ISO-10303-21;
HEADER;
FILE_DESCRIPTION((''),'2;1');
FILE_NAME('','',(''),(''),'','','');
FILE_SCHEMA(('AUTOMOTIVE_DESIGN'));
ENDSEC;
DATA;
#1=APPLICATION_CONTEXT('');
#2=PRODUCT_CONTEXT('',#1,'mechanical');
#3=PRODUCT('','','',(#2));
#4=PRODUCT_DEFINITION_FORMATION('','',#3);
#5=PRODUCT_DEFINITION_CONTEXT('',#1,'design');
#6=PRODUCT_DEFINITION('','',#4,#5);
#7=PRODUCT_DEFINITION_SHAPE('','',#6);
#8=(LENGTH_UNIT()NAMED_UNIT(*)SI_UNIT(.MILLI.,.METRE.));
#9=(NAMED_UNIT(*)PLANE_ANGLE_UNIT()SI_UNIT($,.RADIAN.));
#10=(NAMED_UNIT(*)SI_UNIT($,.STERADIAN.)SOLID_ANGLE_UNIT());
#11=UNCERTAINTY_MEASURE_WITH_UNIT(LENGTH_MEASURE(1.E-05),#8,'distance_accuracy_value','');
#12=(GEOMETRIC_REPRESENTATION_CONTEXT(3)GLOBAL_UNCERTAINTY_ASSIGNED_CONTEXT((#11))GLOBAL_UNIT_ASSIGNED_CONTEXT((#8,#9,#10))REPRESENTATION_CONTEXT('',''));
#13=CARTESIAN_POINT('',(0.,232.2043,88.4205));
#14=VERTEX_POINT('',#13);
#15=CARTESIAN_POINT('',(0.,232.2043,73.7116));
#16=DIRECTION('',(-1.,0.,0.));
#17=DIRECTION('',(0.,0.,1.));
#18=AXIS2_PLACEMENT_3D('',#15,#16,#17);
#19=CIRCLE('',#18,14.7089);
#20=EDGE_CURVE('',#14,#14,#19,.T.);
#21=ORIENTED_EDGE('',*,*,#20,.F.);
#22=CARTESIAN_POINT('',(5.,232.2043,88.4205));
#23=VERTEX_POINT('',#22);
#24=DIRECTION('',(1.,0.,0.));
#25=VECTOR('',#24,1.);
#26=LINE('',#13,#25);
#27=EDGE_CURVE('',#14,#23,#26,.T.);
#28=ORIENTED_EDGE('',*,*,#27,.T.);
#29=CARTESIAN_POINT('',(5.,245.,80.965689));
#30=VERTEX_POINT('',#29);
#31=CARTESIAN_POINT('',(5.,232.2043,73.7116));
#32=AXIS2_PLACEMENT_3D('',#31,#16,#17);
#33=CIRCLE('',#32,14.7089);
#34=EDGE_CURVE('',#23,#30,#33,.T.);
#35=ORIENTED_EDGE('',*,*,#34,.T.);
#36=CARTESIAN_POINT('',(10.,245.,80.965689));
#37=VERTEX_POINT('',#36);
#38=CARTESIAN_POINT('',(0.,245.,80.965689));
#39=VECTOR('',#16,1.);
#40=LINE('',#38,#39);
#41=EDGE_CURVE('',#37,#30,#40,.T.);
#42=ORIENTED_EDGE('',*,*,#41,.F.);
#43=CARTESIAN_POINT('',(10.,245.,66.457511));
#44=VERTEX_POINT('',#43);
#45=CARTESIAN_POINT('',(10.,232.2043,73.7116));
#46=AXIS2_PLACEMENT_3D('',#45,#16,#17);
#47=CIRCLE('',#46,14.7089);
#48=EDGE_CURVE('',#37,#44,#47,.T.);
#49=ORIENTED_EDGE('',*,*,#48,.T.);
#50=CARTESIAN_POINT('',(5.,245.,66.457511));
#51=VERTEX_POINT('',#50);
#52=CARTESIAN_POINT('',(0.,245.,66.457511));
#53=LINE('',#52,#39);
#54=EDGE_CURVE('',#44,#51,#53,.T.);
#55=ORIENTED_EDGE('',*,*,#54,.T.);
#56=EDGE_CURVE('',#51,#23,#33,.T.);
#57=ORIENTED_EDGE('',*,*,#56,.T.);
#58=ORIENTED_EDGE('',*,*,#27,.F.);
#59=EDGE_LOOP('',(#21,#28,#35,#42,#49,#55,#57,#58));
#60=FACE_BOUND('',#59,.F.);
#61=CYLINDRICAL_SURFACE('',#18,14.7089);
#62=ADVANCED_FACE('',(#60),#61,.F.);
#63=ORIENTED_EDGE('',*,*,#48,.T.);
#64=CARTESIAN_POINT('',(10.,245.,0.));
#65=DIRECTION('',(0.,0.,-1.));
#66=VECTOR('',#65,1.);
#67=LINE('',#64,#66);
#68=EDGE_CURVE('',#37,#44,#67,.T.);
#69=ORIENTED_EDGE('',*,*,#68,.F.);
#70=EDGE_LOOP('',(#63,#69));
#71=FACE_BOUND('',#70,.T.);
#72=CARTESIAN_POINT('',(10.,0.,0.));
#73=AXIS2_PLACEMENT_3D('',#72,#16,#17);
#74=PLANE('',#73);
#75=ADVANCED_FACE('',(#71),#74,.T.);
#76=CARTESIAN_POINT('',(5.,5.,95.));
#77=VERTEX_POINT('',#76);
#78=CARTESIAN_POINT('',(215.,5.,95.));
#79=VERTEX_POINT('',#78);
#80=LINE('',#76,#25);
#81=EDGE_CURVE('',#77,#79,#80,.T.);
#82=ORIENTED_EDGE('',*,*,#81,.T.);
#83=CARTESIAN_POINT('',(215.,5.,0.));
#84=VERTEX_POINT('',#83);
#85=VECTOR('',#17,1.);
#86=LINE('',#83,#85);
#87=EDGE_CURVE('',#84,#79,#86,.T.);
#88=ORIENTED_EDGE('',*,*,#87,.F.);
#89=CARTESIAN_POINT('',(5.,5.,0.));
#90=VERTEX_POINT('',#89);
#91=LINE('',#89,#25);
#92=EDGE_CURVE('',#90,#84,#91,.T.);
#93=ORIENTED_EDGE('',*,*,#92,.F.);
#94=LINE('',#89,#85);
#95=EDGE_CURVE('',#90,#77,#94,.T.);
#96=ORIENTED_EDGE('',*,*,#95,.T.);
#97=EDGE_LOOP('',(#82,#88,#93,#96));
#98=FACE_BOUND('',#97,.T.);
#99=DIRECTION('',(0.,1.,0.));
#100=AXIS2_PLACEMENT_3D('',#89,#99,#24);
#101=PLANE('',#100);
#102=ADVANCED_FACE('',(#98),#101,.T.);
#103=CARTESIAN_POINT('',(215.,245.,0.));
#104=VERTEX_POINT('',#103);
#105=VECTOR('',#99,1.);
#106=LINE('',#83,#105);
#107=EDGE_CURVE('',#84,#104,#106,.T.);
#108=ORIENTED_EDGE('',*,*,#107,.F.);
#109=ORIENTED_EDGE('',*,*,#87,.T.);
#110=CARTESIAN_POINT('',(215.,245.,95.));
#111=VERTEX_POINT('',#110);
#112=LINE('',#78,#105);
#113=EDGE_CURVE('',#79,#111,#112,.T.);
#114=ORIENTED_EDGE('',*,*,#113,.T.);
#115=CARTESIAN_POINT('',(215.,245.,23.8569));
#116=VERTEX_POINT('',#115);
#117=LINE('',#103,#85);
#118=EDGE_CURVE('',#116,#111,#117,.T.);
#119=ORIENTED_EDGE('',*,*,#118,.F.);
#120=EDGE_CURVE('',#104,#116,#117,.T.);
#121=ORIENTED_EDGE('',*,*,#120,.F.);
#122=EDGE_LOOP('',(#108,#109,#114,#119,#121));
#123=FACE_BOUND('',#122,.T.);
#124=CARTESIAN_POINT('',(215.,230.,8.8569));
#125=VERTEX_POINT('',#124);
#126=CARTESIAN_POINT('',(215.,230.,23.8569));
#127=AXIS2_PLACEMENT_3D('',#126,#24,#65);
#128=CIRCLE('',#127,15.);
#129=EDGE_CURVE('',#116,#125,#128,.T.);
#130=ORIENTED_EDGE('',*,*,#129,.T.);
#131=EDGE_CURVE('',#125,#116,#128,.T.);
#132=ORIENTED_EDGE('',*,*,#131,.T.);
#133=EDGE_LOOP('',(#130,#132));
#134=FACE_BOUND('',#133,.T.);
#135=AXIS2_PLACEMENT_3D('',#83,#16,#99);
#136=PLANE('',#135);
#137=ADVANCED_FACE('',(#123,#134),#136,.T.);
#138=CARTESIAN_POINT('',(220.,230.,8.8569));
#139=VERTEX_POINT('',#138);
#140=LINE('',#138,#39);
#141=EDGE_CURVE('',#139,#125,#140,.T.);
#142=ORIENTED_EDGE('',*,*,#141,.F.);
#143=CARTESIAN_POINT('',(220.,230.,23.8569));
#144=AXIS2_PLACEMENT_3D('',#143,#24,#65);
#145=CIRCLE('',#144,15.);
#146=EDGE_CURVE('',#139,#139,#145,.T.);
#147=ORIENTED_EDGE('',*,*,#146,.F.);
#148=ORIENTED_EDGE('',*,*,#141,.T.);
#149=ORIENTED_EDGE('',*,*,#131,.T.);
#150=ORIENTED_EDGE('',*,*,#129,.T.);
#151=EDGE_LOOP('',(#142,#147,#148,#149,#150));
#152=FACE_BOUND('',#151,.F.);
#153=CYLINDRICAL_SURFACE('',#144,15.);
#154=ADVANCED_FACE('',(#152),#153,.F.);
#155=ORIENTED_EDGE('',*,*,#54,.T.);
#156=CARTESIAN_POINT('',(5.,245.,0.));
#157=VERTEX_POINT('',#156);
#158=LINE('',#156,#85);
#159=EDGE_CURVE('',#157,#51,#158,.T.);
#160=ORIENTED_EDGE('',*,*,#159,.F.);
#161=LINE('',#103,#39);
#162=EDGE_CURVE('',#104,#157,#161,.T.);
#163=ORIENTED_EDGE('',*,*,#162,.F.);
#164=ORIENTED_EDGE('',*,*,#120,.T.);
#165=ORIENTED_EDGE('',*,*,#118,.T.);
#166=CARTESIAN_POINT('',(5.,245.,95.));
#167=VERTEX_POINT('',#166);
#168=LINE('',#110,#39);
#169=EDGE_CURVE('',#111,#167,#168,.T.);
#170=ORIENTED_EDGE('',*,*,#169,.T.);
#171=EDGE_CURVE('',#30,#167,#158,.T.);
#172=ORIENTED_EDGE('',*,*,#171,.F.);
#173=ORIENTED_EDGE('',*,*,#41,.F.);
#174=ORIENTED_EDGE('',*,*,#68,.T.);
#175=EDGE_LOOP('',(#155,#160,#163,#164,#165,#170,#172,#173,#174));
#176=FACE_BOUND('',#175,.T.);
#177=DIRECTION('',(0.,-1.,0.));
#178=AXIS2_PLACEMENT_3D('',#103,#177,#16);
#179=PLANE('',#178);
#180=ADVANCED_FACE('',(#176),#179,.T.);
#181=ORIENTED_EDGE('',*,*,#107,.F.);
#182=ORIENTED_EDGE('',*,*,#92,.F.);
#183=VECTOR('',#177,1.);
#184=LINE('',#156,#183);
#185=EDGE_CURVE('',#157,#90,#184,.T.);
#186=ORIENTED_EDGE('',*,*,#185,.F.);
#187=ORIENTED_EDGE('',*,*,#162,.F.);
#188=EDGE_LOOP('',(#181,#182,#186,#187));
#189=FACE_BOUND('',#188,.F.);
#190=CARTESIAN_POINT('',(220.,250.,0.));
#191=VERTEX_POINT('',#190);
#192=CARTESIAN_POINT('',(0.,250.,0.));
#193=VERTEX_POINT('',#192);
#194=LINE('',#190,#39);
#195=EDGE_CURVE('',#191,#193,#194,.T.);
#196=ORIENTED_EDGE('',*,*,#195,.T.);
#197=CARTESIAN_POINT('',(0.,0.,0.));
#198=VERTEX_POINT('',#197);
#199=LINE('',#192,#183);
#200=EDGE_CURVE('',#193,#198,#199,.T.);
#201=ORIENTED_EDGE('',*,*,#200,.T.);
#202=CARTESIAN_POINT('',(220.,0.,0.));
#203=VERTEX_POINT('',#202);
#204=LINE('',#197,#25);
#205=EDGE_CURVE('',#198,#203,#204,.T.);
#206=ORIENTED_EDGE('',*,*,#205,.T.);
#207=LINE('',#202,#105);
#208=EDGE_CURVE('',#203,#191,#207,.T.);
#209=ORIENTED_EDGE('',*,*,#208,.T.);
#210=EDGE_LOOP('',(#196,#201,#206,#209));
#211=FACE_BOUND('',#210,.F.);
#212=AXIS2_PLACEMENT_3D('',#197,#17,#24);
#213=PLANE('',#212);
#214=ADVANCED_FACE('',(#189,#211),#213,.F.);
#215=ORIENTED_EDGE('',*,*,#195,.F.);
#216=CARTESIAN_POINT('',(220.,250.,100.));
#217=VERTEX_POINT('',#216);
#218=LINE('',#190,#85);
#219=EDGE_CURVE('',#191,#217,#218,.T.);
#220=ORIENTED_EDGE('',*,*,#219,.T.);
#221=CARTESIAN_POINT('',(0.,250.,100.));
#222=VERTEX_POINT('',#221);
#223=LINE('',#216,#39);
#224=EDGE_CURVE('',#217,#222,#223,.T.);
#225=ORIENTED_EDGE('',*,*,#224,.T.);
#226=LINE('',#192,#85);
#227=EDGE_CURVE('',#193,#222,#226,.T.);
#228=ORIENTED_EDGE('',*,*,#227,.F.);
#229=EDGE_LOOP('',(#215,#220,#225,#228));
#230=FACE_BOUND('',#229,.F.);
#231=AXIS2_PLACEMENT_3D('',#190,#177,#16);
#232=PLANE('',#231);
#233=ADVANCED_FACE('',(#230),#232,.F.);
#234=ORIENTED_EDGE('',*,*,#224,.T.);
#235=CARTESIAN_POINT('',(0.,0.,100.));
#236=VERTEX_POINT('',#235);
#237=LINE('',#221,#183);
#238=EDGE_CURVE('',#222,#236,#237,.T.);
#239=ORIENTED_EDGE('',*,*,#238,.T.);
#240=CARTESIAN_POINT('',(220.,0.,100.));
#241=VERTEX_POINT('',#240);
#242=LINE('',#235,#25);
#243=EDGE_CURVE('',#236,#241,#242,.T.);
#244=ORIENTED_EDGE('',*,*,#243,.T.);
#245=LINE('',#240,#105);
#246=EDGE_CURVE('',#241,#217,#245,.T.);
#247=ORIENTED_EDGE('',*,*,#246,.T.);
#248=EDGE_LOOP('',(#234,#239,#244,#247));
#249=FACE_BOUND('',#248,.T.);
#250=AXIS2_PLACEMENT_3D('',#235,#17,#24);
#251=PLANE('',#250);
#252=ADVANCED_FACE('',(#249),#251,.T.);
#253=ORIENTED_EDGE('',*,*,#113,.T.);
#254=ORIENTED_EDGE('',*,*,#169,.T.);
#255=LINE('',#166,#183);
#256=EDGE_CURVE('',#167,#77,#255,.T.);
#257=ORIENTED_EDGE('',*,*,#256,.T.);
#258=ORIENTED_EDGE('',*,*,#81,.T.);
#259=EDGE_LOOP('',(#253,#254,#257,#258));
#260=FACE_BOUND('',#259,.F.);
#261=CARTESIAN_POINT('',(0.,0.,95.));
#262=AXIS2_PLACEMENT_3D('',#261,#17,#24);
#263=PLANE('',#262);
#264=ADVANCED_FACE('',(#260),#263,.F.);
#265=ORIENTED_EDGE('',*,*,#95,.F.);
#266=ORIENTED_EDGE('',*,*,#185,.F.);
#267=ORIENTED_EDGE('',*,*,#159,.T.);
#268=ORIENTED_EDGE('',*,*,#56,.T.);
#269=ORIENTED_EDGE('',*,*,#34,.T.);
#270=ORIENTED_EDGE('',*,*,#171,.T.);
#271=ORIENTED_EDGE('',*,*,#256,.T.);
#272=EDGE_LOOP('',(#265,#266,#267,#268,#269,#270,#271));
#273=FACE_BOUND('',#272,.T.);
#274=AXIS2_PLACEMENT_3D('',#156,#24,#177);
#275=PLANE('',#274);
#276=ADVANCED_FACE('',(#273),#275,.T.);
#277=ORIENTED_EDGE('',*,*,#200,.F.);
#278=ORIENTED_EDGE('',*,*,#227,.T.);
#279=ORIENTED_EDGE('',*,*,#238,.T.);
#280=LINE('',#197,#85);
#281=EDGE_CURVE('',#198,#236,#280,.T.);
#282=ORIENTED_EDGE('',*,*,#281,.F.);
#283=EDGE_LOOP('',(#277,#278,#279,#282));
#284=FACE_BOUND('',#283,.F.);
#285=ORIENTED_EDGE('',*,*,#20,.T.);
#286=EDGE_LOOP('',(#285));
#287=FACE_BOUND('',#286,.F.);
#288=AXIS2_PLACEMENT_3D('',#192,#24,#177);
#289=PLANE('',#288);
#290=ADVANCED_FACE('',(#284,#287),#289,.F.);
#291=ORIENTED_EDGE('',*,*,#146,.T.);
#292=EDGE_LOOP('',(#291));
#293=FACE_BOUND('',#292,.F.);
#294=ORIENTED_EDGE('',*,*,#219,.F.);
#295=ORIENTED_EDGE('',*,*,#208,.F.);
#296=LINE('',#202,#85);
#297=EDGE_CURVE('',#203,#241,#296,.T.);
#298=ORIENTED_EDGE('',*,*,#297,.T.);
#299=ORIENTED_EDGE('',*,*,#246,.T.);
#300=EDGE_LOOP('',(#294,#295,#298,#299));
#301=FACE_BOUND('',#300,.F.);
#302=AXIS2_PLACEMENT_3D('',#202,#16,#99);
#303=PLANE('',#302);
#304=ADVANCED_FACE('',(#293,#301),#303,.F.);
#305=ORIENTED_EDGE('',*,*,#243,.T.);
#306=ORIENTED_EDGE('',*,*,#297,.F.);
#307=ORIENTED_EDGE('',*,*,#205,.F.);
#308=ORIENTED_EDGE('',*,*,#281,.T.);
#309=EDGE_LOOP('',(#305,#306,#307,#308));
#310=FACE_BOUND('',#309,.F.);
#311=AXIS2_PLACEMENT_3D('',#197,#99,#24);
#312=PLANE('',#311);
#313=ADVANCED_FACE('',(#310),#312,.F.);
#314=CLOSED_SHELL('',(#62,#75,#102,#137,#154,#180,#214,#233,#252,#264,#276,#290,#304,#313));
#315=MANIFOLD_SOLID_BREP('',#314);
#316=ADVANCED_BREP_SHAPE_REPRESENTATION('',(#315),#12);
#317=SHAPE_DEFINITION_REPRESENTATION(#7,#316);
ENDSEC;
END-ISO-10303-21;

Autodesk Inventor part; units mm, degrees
ref_plane "YZ Plane" through (0, 0, 0) normal (1, 0, 0) x (0, 1, 0)
ref_plane "XZ Plane" through (0, 0, 0) normal (0, 1, 0) x (-1, 0, 0)
ref_plane "XY Plane" through (0, 0, 0) normal (0, 0, 1) x (1, 0, 0)
sketch "Sketch1" plane through (0, 0, 0) normal (0, 0, 1) x (1, 0, 0)
  line L0 (0, 0) -> (220, 0)
  line L1 (220, 0) -> (220, 250)
  line L2 (220, 250) -> (0, 250)
  line L3 (0, 250) -> (0, 0)
  dimension "d0" = 220
  dimension "d1" = 250
extrude "Extrusion1" add sketch "Sketch1" along normal blind 100
sketch "Sketch2" plane through (0, 0, 0) normal (0, 0, 1) x (1, 0, 0)
  line L0 (5, 5) -> (215, 5)
  line L1 (215, 5) -> (215, 245)
  line L2 (215, 245) -> (5, 245)
  line L3 (5, 245) -> (5, 5)
  point P0 (0, 0)
  dimension "d4" = 210
  dimension "d5" = 240
  dimension "d8" = 5
  dimension "d13" = 5
extrude "Extrusion2" cut sketch "Sketch2" along normal blind 95
sketch "Sketch3" plane through (220, 0, 0) normal (1, 0, 0) x (0, 0, -1)
  circle A0 centre (-23.8569, 230) radius 15
  line L0 (0, 250) -> (-100, 250) projected
  point P0 (0, 0)
  dimension "d9" = 30
  dimension "d10" = 20
extrude "Extrusion3" cut sketch "Sketch3" against normal blind 45
sketch "Sketch4" plane through (0, 0, 0) normal (-1, 0, 0) x (0, 0, 1)
  circle A0 centre (73.7116, 232.2043) radius 14.7089
  point P0 (0, 0)
extrude "Extrusion4" cut sketch "Sketch4" against normal blind 10
properties part number "corpo"
